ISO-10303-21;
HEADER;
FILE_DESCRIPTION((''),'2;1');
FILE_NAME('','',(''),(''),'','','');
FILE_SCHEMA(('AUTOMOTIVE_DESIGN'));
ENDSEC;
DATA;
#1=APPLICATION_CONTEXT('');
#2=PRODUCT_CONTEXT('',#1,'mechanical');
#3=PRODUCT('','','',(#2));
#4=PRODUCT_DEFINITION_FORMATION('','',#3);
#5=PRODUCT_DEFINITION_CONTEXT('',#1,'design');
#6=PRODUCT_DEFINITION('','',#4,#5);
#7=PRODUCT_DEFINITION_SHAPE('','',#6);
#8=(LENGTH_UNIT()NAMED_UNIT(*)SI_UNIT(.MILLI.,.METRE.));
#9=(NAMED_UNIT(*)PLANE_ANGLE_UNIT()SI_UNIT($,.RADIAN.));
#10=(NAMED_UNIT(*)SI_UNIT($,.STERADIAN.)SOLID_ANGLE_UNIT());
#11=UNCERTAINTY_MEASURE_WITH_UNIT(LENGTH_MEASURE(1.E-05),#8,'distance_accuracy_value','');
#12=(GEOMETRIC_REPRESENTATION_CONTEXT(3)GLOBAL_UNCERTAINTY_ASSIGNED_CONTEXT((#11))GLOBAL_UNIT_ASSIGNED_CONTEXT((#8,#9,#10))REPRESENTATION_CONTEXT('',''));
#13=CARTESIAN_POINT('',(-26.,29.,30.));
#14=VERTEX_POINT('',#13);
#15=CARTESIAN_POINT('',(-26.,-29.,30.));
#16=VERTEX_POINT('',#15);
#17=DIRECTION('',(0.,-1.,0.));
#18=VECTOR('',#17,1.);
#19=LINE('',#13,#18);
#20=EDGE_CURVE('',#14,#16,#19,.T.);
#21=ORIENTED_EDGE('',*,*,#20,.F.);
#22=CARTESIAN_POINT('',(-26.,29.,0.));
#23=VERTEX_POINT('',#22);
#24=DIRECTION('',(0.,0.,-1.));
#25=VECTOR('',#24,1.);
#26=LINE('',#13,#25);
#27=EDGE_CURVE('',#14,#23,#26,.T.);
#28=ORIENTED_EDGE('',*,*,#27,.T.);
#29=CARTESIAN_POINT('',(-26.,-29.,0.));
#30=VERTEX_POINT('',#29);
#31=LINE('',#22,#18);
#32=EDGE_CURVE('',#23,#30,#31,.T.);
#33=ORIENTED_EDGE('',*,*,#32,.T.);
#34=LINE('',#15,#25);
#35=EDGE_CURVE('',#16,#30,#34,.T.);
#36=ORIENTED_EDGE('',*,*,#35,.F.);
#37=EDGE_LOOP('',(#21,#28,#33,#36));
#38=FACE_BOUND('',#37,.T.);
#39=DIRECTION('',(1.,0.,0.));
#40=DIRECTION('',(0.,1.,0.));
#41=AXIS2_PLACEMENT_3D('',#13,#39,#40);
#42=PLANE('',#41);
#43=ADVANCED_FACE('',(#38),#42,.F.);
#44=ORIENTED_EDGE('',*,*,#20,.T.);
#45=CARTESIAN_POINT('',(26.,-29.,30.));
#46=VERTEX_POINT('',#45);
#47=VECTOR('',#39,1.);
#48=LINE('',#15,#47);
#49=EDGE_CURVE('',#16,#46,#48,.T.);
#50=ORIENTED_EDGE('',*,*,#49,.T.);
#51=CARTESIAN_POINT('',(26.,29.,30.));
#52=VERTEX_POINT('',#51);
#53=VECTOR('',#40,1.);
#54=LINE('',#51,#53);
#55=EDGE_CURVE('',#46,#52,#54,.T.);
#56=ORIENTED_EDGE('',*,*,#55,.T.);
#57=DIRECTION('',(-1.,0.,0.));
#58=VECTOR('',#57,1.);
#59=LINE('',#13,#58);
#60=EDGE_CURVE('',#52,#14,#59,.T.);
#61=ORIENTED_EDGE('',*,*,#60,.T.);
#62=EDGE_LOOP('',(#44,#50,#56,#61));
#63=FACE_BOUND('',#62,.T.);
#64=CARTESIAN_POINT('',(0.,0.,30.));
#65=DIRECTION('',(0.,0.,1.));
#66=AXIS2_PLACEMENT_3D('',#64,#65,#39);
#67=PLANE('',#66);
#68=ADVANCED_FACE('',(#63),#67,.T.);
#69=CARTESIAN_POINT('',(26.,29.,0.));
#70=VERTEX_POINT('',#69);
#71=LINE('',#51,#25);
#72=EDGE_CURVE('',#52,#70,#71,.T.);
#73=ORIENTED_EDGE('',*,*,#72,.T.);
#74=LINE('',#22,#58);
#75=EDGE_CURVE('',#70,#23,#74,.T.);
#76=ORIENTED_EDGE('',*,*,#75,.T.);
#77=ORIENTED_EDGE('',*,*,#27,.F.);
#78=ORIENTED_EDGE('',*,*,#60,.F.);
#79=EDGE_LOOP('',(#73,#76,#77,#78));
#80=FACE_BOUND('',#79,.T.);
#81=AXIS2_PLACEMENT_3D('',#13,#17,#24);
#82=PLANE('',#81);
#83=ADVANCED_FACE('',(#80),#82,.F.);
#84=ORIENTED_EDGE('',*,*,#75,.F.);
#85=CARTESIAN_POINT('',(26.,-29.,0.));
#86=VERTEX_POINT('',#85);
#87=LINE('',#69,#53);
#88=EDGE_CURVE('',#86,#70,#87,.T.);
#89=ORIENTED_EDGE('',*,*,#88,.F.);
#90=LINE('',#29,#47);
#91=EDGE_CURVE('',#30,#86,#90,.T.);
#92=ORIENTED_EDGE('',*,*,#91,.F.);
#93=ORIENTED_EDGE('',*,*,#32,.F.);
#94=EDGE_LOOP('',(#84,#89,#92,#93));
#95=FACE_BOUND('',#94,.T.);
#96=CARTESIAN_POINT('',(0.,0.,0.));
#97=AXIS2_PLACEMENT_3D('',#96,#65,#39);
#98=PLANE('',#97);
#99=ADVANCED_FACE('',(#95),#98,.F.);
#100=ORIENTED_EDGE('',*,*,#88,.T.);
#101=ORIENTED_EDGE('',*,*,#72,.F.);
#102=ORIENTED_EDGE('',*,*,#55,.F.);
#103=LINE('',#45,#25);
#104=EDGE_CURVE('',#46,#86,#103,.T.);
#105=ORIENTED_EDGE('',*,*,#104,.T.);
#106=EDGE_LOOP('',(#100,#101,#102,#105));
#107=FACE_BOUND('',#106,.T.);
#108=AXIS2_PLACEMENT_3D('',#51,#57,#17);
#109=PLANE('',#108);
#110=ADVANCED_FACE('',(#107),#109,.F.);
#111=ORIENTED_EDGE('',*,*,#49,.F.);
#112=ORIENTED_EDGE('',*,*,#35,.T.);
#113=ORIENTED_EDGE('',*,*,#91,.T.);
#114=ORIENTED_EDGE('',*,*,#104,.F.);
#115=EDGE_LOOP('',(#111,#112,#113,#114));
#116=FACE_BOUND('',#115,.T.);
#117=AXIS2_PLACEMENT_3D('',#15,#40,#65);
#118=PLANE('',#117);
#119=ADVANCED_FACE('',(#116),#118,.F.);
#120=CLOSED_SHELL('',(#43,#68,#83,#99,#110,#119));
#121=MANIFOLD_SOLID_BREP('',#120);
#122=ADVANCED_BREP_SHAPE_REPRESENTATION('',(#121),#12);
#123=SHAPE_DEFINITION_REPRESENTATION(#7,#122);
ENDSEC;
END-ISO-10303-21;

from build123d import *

# Parameters (mm, degrees)
ESQUISSE1_W        = 52
ESQUISSE1_H        = 58
BOSS_EXTRU_1_DEPTH = 30


with BuildPart() as part:
    # Esquisse1 → Boss.-Extru.1 (new body)
    with BuildSketch(Plane.XY):
        Rectangle(ESQUISSE1_W, ESQUISSE1_H)
    extrude(amount=BOSS_EXTRU_1_DEPTH)


solid = part.part
